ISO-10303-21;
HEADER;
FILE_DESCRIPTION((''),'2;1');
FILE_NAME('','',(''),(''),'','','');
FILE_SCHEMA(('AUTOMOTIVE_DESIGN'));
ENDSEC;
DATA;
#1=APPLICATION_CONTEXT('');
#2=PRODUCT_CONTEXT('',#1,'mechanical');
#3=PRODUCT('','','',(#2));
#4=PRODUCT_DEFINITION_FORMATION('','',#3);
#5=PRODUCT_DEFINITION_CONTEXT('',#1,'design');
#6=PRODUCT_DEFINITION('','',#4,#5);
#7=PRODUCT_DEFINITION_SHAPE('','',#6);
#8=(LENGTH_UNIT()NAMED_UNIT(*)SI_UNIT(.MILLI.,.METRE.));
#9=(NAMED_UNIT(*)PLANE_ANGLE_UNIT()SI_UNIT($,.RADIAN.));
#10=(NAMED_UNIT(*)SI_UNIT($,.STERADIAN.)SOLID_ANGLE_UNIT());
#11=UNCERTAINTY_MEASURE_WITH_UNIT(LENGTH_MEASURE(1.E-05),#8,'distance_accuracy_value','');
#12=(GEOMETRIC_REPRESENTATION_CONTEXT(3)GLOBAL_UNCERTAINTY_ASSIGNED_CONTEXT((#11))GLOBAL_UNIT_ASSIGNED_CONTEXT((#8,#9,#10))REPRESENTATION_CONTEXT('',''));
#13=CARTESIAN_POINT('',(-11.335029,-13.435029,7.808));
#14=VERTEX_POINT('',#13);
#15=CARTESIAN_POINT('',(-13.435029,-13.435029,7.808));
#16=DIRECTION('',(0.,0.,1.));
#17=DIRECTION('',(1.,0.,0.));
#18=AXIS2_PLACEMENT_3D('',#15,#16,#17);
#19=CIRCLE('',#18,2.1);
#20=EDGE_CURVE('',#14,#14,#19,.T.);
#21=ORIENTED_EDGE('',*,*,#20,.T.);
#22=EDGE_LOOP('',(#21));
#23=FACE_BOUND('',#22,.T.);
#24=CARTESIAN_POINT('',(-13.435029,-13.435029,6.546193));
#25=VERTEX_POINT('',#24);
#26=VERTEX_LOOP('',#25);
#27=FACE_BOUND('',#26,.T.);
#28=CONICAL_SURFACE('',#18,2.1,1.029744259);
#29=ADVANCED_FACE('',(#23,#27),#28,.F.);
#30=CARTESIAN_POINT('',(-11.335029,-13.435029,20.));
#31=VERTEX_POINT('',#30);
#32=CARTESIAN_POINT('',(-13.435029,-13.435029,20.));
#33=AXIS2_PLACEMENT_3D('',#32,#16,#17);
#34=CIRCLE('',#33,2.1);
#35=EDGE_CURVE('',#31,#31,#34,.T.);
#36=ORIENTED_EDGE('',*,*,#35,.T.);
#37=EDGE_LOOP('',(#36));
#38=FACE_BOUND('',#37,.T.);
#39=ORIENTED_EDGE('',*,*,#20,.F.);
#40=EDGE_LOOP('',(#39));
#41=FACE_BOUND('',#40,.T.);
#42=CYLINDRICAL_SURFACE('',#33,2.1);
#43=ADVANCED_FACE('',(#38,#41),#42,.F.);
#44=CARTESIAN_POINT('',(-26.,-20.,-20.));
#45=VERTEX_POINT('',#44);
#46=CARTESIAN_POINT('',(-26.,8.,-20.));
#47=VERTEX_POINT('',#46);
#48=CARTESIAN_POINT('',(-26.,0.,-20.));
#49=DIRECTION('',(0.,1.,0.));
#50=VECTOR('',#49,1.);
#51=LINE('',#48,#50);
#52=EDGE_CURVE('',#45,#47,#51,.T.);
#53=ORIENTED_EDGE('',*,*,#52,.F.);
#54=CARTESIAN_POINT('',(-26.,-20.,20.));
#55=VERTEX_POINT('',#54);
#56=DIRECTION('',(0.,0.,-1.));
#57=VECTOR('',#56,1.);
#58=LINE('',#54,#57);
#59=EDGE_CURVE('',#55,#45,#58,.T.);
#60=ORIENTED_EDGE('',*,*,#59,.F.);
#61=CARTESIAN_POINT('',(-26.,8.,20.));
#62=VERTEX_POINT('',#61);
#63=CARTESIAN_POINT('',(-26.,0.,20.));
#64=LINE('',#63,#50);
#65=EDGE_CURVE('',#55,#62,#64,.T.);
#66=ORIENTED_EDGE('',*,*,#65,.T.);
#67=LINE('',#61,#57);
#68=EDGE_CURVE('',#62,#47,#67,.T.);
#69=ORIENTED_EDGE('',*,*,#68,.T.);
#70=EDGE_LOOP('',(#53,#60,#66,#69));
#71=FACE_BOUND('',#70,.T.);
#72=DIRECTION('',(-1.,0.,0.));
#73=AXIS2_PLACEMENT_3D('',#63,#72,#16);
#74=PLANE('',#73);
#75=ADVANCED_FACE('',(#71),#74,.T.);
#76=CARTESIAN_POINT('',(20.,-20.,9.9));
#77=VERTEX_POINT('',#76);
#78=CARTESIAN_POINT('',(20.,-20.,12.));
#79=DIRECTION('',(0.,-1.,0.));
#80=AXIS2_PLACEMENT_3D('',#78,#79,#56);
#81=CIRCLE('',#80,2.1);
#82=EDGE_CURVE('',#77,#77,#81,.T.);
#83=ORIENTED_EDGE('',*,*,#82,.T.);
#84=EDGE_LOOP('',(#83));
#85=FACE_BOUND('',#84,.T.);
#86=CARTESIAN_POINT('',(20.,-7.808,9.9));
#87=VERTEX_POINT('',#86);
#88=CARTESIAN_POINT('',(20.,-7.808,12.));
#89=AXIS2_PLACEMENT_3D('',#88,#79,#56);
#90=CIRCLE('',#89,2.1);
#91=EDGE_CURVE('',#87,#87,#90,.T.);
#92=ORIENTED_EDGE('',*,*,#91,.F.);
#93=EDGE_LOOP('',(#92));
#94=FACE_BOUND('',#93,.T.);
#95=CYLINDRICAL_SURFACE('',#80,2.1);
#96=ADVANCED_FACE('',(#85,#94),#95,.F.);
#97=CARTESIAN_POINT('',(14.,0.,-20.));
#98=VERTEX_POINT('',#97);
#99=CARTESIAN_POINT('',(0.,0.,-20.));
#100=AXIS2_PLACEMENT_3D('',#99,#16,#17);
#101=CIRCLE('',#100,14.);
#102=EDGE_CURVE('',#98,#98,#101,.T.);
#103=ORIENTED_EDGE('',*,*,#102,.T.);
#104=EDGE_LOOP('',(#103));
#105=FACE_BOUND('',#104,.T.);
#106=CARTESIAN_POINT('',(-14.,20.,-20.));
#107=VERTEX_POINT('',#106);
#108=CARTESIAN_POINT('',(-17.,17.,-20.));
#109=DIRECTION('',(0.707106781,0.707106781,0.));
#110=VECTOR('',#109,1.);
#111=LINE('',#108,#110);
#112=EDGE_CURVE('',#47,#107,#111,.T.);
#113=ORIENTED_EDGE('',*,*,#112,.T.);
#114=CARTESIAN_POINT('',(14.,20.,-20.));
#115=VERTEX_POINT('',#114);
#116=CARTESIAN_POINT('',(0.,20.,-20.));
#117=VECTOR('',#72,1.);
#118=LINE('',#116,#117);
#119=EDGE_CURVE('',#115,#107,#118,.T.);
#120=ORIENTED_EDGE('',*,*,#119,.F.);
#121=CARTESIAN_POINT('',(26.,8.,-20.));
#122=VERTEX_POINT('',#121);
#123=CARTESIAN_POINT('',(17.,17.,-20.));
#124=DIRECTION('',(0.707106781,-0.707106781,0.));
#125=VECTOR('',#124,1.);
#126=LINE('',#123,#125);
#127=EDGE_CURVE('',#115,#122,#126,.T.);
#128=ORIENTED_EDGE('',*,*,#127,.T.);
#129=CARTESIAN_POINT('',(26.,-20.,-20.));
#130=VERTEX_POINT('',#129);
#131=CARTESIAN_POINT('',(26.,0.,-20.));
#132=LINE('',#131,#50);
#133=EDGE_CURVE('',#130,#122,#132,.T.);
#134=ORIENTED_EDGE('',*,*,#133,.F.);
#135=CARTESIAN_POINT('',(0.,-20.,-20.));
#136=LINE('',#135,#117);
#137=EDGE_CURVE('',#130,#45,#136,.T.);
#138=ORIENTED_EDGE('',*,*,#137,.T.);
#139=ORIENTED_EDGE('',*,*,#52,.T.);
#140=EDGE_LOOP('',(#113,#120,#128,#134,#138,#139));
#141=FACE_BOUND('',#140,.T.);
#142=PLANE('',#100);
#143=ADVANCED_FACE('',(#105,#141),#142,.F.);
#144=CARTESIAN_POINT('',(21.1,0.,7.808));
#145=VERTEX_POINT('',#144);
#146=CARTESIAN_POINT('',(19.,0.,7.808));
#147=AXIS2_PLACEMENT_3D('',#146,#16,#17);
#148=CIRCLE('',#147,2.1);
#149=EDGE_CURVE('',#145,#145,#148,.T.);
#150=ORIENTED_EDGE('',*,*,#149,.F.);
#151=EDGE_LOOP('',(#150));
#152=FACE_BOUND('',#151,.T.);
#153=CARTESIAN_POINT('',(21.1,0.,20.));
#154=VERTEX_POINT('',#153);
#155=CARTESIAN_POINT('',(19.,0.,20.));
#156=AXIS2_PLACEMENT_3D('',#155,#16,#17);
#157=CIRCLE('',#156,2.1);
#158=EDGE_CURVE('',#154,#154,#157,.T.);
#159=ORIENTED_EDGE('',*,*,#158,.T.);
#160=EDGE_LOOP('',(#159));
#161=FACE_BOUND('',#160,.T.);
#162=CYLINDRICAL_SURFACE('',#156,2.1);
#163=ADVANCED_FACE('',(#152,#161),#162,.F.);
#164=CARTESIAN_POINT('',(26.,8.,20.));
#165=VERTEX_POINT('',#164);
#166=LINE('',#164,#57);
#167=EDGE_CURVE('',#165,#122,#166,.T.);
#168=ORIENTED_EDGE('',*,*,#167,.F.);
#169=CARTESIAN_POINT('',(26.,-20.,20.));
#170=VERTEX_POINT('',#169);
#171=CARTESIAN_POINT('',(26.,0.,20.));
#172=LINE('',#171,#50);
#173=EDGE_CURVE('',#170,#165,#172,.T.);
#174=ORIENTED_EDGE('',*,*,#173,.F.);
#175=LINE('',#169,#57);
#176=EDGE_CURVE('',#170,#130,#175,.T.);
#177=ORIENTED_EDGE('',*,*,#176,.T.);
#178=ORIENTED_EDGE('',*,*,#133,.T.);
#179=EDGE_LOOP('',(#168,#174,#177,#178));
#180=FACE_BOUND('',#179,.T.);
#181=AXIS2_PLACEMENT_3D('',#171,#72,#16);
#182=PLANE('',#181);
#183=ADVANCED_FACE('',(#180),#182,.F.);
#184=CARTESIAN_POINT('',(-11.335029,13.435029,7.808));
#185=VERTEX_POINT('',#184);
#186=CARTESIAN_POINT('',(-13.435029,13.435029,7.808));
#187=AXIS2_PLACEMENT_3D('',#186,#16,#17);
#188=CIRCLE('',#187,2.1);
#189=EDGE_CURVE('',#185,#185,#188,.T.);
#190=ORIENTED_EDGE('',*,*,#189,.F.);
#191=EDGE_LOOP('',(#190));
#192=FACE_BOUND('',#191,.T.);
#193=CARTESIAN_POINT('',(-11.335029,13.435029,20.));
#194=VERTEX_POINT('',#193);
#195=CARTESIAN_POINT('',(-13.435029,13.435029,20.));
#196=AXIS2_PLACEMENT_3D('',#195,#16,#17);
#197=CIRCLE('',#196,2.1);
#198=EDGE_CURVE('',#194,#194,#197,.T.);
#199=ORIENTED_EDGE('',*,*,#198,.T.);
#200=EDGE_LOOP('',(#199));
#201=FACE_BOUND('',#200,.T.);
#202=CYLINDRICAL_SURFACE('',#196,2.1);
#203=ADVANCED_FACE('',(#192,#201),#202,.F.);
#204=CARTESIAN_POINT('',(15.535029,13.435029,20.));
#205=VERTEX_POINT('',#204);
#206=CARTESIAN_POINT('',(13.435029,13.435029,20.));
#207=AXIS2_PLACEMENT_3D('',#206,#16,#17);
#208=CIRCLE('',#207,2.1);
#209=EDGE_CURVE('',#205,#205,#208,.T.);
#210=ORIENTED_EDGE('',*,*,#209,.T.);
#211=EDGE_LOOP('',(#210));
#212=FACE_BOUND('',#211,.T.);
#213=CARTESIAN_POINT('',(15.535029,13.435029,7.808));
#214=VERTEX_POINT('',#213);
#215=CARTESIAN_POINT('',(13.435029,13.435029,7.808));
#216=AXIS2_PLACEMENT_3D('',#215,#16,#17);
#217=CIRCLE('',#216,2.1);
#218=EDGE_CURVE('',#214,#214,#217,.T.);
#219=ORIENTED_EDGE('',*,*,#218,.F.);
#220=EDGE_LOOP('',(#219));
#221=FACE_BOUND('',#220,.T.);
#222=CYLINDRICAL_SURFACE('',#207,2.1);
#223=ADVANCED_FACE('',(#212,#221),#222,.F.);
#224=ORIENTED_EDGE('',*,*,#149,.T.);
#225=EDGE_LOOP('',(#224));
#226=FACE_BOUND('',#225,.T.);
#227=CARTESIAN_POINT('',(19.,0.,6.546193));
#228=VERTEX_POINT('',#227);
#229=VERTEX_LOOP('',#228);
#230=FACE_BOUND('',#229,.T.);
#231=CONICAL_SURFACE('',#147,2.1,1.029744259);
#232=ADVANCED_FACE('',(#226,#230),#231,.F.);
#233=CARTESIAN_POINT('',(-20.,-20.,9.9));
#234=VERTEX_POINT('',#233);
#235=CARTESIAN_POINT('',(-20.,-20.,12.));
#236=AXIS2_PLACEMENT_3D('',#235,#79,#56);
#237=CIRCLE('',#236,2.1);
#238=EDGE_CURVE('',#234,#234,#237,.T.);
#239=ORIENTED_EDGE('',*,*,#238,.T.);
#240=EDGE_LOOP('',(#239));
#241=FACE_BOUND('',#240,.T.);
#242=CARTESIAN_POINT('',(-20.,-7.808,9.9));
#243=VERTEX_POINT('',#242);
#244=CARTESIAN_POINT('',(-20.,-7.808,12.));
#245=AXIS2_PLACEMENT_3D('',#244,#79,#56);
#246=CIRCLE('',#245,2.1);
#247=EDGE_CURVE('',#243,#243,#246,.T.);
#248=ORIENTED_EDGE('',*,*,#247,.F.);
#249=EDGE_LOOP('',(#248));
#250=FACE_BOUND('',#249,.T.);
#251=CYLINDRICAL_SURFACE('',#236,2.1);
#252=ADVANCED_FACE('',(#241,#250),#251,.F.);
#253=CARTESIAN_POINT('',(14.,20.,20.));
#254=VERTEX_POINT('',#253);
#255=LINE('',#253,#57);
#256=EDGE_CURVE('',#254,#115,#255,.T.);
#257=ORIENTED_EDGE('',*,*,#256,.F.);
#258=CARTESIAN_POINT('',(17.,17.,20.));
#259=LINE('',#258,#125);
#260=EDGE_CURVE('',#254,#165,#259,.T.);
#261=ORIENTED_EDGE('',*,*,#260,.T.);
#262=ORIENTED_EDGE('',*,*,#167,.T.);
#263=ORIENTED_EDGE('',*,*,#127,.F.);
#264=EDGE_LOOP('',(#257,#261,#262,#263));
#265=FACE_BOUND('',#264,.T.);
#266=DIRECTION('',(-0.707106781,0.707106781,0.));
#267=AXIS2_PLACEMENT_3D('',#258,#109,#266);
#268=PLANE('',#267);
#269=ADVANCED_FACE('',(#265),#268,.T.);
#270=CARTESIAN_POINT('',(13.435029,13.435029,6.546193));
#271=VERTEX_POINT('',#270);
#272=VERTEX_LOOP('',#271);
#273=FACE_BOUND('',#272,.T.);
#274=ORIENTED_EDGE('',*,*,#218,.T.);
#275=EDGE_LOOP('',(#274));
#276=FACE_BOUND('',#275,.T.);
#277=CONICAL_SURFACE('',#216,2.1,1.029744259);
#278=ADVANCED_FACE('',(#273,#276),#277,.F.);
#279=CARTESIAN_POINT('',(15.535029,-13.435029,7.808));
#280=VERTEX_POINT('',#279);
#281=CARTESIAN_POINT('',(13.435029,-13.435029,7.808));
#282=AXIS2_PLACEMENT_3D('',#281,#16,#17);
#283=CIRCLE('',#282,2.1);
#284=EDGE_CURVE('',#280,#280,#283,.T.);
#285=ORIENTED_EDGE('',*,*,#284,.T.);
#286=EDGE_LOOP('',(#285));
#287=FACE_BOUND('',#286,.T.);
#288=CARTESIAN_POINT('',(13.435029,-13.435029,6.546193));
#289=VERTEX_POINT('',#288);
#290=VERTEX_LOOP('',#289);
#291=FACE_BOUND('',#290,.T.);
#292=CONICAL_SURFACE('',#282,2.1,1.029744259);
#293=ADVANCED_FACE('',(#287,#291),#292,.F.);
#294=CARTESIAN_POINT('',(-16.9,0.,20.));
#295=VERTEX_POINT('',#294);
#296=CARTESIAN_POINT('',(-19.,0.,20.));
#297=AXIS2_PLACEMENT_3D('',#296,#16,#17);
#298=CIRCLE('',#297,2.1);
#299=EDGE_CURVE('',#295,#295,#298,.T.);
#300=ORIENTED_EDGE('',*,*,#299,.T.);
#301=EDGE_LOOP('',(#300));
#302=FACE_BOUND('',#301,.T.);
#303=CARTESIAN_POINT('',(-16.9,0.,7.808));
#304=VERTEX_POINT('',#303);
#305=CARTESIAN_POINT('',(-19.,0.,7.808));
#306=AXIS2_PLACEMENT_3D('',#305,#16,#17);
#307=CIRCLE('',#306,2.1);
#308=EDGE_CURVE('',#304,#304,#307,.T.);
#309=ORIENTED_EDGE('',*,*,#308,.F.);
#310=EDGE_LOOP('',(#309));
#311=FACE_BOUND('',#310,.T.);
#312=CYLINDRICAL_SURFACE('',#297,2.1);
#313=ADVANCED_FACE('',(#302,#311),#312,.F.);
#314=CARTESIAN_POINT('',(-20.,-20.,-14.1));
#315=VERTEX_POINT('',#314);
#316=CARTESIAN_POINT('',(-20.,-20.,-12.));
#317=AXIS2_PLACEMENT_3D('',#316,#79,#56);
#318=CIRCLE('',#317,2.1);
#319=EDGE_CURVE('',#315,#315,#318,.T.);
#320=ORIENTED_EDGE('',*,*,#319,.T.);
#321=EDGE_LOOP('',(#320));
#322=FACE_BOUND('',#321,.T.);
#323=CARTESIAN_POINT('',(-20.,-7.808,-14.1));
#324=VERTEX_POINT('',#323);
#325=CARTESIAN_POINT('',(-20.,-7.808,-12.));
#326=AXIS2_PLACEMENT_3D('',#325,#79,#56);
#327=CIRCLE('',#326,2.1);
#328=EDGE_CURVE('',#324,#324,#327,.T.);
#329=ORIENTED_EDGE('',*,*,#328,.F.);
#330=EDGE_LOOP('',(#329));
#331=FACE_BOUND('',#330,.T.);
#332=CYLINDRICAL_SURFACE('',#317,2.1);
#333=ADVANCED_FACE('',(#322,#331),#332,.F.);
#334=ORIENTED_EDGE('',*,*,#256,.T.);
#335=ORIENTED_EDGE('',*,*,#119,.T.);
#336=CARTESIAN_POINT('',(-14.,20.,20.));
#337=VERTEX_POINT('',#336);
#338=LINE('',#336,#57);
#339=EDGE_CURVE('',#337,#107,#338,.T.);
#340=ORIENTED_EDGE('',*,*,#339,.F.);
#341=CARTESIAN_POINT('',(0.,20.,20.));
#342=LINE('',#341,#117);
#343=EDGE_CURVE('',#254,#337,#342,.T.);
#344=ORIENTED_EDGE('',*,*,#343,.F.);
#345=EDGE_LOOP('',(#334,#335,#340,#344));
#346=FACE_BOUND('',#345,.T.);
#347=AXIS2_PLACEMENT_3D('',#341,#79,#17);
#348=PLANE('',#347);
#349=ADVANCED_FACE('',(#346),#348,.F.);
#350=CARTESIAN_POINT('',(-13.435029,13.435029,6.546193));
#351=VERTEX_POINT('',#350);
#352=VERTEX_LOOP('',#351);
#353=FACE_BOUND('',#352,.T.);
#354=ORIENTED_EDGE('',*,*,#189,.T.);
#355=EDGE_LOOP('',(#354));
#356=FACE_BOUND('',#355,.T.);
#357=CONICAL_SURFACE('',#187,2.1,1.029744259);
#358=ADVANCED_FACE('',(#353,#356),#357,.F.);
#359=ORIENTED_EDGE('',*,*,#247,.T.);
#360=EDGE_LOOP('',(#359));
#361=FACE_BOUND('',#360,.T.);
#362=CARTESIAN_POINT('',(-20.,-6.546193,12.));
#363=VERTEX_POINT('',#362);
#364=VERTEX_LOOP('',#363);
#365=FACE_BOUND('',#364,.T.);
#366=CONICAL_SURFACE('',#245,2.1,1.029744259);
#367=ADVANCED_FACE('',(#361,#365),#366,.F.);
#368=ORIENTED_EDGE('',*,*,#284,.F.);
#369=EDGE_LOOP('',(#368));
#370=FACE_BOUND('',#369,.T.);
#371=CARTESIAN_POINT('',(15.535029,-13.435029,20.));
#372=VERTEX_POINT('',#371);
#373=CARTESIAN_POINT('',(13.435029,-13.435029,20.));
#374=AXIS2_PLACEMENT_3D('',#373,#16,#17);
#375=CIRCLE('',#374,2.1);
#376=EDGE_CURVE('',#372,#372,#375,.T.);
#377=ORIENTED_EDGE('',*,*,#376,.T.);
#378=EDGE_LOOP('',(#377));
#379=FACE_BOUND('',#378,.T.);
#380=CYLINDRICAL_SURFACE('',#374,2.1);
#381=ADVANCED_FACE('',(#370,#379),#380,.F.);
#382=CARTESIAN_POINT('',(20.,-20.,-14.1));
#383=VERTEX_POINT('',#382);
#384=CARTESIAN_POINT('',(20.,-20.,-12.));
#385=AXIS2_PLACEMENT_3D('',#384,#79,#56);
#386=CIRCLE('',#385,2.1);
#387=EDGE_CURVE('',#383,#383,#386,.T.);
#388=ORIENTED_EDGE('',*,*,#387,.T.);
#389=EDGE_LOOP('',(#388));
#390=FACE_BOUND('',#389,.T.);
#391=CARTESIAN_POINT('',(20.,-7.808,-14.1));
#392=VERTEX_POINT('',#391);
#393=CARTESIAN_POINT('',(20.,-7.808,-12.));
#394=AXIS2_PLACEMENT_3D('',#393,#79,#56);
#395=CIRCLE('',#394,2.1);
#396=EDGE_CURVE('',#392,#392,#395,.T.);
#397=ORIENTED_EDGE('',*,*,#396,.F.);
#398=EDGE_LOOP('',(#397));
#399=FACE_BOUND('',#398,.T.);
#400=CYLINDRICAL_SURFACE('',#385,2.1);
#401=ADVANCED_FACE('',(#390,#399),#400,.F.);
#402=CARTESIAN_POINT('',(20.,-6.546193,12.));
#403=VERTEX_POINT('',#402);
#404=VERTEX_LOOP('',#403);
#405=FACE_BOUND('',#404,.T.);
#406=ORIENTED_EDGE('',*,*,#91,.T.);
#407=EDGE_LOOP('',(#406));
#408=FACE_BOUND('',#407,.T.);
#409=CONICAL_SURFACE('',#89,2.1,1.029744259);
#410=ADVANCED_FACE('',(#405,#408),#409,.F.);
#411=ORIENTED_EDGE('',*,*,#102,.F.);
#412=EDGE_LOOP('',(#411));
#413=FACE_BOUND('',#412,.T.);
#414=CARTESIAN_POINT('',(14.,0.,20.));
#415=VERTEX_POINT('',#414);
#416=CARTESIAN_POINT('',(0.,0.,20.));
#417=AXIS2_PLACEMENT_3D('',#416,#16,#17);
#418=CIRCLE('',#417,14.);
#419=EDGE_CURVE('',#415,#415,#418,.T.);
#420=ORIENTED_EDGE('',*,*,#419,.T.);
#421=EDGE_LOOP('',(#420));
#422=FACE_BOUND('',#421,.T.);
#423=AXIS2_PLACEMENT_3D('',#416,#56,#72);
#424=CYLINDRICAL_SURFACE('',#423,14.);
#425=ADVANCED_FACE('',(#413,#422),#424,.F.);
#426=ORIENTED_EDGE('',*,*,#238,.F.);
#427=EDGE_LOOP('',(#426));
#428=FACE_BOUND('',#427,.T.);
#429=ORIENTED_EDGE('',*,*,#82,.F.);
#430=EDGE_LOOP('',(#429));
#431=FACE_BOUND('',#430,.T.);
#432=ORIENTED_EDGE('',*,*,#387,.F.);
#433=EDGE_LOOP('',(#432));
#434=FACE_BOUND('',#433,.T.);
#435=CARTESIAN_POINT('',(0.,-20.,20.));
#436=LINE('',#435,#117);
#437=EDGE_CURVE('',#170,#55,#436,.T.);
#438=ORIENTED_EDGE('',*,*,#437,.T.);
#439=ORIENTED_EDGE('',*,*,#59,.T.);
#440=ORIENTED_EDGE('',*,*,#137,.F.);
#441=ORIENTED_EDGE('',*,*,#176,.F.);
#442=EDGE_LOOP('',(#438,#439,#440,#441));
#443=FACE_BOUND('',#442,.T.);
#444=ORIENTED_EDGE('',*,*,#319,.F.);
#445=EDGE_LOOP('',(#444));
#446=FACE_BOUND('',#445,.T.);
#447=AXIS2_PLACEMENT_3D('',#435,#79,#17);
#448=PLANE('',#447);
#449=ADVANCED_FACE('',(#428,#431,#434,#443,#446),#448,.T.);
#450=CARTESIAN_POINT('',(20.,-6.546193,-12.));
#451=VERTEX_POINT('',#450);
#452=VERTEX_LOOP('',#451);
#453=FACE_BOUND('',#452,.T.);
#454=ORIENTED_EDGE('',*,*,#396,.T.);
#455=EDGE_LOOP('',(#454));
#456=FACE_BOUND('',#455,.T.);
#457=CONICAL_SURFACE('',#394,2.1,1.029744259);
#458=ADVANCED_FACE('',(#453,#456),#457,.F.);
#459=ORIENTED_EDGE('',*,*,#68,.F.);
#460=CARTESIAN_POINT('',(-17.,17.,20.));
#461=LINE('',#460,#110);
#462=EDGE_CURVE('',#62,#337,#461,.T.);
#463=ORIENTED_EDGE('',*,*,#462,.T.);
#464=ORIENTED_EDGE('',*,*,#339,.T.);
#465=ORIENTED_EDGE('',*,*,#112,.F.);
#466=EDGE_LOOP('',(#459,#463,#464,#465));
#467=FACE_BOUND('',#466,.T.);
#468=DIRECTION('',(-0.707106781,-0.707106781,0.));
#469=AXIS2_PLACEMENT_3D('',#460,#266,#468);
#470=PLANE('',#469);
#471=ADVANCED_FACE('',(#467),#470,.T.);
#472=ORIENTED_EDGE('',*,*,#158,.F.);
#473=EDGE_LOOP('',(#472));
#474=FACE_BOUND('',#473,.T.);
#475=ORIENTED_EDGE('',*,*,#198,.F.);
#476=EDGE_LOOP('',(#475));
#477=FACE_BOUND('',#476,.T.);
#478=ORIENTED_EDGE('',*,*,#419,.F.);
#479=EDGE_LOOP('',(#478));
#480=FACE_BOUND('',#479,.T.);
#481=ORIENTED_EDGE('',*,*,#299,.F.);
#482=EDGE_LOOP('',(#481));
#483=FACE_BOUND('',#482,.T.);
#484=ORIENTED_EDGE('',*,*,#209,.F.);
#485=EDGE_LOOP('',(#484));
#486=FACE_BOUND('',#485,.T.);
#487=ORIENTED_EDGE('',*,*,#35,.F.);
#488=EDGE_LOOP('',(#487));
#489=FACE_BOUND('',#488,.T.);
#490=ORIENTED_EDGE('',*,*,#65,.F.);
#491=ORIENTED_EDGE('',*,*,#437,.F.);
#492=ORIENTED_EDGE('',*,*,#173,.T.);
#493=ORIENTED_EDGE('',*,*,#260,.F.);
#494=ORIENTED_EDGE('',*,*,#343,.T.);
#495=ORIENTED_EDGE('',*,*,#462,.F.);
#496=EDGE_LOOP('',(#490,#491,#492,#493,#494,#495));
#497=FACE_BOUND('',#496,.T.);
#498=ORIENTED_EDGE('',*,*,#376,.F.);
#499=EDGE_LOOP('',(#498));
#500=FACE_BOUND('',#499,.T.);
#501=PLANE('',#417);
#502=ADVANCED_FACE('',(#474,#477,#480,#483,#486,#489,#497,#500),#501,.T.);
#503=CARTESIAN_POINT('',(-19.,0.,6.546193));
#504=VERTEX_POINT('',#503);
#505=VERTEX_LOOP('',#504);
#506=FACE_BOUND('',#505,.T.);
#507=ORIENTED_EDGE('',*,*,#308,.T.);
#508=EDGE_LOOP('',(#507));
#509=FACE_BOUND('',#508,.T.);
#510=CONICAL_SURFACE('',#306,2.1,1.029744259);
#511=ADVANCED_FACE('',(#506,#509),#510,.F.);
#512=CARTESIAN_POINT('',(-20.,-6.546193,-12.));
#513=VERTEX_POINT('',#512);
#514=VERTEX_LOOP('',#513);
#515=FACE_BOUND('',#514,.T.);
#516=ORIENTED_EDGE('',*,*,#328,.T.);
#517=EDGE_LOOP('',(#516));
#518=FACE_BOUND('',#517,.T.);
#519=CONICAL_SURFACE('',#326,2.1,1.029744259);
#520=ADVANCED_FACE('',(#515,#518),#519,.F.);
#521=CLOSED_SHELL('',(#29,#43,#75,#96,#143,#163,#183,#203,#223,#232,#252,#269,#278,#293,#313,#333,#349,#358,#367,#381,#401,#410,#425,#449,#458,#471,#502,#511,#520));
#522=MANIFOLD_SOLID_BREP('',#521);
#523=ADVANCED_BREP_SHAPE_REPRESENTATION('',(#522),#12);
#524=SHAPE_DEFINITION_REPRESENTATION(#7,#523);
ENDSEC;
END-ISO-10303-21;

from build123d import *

# Parameters (mm, degrees)
SKETCH1_R                 = 14
BOSS_EXTRUDE1_DEPTH       = 20
M5X0_8_TAPPED_HOLE1_D     = 4.2
M5X0_8_TAPPED_HOLE1_DEPTH = 12.192
M5X0_8_TAPPED_HOLE1_TIP   = 1.2618073
M5X0_8_TAPPED_HOLE2_D     = 4.2
M5X0_8_TAPPED_HOLE2_DEPTH = 12.192
M5X0_8_TAPPED_HOLE2_TIP   = 1.2618073


with BuildPart() as part:
    # Sketch1 → Boss-Extrude1 (new body, symmetric)
    with BuildSketch(Plane.XY):
        Polygon((-14, 20), (-26, 8), (-26, -20), (26, -20), (26, 8), (14, 20), align=None)
        Circle(SKETCH1_R, mode=Mode.SUBTRACT)
    extrude(amount=BOSS_EXTRUDE1_DEPTH, both=True)

    # M5x0.8 Tapped Hole1
    with Locations(Plane.XY.offset(20)):
        with Locations((0, 0), (19, 0), (-19, 0), (-13.435028843, 13.435028843), (13.435028843, -13.435028843), (13.435028843, 13.435028843), (-13.435028843, -13.435028843)):
            Hole(M5X0_8_TAPPED_HOLE1_D / 2, depth=M5X0_8_TAPPED_HOLE1_DEPTH)
            with Locations((0, 0, -(M5X0_8_TAPPED_HOLE1_DEPTH + M5X0_8_TAPPED_HOLE1_TIP / 2))):  # 118° drill point
                Cone(0, M5X0_8_TAPPED_HOLE1_D / 2, M5X0_8_TAPPED_HOLE1_TIP, mode=Mode.SUBTRACT)

    # M5x0.8 Tapped Hole2
    with Locations(Plane(origin=(0, -20, 0), x_dir=(-1, 0, 0), z_dir=(0, -1, 0))):
        with Locations((20, -12), (-20, -12), (-20, 12), (20, 12)):
            Hole(M5X0_8_TAPPED_HOLE2_D / 2, depth=M5X0_8_TAPPED_HOLE2_DEPTH)
            with Locations((0, 0, -(M5X0_8_TAPPED_HOLE2_DEPTH + M5X0_8_TAPPED_HOLE2_TIP / 2))):  # 118° drill point
                Cone(0, M5X0_8_TAPPED_HOLE2_D / 2, M5X0_8_TAPPED_HOLE2_TIP, mode=Mode.SUBTRACT)


solid = part.part
